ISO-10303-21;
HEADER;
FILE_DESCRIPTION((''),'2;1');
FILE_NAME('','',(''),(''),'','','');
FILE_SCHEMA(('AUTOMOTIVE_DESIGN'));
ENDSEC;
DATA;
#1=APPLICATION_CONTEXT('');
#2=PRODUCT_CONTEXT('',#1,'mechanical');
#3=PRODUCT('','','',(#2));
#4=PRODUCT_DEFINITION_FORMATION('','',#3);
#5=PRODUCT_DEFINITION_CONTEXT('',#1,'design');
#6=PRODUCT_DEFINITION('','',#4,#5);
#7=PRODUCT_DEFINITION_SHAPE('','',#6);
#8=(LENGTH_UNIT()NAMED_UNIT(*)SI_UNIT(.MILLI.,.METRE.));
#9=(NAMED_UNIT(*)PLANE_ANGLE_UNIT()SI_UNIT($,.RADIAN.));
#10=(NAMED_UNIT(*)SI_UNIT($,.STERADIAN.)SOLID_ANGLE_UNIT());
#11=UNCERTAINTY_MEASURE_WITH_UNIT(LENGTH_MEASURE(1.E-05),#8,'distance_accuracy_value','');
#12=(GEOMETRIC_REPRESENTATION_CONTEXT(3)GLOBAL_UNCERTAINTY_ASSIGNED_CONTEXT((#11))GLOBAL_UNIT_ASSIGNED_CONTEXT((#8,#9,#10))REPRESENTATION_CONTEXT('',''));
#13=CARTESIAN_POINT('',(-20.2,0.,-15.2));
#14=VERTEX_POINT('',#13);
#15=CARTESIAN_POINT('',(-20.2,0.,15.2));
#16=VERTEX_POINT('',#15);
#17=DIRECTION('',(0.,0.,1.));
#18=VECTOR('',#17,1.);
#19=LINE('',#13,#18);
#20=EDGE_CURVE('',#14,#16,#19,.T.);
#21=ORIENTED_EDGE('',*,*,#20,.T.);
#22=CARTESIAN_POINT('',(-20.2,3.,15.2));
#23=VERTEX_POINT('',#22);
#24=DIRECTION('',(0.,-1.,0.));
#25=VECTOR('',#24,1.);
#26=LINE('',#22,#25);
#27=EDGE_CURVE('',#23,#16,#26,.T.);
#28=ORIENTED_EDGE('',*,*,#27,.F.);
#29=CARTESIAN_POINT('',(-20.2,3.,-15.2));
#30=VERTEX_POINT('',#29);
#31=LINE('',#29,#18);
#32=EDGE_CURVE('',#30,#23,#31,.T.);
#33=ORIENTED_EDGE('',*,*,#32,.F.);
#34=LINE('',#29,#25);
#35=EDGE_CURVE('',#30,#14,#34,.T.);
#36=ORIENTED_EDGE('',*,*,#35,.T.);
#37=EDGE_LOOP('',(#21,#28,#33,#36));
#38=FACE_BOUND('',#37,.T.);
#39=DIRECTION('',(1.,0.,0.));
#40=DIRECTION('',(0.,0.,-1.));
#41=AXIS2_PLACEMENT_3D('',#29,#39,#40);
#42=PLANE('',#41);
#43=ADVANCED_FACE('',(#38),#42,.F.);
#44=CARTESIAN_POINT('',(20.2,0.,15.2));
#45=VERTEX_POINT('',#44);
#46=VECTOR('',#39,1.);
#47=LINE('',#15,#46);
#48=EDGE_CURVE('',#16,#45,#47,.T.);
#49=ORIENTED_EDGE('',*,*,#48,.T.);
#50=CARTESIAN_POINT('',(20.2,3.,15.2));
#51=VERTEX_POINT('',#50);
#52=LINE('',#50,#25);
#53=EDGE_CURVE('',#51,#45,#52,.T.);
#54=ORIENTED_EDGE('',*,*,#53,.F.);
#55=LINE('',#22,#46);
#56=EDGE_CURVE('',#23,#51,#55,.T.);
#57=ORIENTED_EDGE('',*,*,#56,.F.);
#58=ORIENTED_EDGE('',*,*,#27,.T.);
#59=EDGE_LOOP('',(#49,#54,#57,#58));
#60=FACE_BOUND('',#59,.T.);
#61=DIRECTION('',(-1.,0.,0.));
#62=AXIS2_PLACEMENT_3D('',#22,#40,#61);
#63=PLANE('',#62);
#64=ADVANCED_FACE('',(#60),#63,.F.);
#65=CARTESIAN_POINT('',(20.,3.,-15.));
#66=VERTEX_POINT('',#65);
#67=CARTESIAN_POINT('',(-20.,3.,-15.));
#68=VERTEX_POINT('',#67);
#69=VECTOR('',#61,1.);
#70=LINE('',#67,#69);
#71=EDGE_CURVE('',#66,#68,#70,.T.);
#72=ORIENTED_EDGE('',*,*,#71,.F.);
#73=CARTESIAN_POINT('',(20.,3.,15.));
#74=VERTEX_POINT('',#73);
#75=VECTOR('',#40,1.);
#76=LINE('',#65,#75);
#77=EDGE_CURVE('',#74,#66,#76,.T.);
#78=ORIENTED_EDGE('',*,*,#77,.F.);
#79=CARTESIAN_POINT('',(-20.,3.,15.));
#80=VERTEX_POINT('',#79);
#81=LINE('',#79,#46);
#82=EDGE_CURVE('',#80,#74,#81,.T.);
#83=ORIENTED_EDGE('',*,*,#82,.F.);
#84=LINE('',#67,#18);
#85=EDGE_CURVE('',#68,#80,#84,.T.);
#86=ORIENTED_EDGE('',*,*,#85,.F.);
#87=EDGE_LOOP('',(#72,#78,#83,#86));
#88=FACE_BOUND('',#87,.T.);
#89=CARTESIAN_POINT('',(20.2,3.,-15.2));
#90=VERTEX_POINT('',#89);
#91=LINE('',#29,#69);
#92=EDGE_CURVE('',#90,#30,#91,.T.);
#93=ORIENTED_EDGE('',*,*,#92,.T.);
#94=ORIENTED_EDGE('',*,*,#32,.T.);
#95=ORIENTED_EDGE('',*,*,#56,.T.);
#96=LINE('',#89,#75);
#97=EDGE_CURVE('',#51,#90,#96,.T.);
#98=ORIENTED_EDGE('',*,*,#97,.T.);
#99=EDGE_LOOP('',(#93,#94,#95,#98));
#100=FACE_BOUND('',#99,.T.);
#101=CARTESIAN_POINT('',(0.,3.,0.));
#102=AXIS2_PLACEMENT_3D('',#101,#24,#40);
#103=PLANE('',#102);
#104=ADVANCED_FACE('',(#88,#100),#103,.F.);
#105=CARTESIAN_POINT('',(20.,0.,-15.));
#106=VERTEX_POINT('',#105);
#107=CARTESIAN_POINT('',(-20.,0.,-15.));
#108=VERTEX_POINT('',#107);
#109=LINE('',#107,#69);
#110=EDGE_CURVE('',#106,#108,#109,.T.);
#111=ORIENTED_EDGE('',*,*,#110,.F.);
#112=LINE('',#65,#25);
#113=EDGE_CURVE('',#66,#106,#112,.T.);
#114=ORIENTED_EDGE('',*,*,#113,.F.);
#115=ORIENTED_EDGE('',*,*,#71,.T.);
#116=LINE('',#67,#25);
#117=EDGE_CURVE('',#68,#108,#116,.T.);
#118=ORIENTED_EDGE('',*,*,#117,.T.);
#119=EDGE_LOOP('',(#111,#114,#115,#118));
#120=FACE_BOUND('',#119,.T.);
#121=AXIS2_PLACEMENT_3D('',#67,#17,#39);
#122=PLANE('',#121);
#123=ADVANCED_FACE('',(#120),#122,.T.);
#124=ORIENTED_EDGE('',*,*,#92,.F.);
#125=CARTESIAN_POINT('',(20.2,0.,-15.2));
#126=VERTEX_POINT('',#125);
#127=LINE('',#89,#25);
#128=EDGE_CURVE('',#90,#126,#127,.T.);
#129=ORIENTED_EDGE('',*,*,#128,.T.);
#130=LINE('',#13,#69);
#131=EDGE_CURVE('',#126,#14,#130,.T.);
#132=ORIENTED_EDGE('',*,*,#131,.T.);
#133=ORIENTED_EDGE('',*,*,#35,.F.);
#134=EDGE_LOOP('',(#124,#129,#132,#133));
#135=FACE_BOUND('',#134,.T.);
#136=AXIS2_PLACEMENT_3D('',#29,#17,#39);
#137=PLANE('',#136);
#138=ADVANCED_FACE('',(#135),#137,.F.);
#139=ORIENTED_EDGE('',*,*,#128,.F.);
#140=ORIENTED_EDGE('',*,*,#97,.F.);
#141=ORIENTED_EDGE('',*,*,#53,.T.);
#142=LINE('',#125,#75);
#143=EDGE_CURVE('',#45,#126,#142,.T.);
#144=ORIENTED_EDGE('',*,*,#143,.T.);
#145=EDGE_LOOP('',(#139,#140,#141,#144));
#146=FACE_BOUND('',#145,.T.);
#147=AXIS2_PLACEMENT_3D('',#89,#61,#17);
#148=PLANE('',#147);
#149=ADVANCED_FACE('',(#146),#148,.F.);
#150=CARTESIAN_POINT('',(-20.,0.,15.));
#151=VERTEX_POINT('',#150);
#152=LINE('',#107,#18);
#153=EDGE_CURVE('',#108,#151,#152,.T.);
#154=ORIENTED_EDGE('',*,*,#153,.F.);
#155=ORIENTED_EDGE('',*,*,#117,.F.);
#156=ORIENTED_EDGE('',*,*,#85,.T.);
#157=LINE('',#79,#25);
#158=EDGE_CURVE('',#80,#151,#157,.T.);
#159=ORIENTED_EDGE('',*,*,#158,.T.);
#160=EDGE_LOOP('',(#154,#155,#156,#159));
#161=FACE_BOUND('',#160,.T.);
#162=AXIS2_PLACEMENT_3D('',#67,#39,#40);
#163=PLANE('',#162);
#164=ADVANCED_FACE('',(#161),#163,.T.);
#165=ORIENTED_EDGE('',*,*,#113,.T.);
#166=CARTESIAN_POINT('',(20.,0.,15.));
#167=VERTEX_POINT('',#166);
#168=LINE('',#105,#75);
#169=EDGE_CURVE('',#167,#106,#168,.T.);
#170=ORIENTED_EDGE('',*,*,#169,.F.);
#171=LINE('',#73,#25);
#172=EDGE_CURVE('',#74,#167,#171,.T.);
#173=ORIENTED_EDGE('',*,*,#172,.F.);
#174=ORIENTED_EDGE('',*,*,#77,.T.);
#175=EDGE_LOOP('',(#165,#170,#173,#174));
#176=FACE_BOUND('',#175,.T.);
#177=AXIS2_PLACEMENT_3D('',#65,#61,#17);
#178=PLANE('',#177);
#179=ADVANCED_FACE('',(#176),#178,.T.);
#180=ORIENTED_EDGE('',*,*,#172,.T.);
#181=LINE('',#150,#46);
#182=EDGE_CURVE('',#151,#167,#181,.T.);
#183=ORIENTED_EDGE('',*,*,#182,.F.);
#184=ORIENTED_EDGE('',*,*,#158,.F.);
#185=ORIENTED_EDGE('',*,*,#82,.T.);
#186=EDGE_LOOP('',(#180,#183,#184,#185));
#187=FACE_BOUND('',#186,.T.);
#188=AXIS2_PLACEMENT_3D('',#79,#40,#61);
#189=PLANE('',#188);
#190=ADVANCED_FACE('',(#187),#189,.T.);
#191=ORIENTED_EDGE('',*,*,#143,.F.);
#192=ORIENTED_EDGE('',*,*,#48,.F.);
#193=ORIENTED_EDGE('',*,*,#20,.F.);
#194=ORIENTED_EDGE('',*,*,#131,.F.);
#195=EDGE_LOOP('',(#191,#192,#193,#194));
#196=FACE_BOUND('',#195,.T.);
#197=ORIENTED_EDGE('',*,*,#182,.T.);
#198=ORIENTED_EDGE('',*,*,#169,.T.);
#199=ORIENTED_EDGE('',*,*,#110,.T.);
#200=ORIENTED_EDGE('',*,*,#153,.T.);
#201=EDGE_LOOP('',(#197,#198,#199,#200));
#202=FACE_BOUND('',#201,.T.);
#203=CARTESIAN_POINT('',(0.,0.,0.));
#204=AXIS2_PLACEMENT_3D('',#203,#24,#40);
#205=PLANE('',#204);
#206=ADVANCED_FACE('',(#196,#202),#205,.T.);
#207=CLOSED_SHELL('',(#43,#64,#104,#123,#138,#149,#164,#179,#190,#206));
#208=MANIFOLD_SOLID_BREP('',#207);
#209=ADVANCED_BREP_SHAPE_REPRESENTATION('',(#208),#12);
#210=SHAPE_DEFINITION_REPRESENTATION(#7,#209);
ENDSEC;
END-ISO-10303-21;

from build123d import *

# Parameters (mm, degrees)
SKETCH_1_W      = 40.4
SKETCH_1_H      = 30.4
SKETCH_1_W_2    = 40
SKETCH_1_H_2    = 30
EXTRUDE_1_DEPTH = 3


with BuildPart() as part:
    # 草图1 → 凸台-拉伸1 (new body)
    with BuildSketch(Plane(origin=(0, 0, 0), x_dir=(1, 0, 0), z_dir=(0, 1, 0))):
        Rectangle(SKETCH_1_W, SKETCH_1_H)
        Rectangle(SKETCH_1_W_2, SKETCH_1_H_2, mode=Mode.SUBTRACT)
    extrude(amount=EXTRUDE_1_DEPTH)


solid = part.part
